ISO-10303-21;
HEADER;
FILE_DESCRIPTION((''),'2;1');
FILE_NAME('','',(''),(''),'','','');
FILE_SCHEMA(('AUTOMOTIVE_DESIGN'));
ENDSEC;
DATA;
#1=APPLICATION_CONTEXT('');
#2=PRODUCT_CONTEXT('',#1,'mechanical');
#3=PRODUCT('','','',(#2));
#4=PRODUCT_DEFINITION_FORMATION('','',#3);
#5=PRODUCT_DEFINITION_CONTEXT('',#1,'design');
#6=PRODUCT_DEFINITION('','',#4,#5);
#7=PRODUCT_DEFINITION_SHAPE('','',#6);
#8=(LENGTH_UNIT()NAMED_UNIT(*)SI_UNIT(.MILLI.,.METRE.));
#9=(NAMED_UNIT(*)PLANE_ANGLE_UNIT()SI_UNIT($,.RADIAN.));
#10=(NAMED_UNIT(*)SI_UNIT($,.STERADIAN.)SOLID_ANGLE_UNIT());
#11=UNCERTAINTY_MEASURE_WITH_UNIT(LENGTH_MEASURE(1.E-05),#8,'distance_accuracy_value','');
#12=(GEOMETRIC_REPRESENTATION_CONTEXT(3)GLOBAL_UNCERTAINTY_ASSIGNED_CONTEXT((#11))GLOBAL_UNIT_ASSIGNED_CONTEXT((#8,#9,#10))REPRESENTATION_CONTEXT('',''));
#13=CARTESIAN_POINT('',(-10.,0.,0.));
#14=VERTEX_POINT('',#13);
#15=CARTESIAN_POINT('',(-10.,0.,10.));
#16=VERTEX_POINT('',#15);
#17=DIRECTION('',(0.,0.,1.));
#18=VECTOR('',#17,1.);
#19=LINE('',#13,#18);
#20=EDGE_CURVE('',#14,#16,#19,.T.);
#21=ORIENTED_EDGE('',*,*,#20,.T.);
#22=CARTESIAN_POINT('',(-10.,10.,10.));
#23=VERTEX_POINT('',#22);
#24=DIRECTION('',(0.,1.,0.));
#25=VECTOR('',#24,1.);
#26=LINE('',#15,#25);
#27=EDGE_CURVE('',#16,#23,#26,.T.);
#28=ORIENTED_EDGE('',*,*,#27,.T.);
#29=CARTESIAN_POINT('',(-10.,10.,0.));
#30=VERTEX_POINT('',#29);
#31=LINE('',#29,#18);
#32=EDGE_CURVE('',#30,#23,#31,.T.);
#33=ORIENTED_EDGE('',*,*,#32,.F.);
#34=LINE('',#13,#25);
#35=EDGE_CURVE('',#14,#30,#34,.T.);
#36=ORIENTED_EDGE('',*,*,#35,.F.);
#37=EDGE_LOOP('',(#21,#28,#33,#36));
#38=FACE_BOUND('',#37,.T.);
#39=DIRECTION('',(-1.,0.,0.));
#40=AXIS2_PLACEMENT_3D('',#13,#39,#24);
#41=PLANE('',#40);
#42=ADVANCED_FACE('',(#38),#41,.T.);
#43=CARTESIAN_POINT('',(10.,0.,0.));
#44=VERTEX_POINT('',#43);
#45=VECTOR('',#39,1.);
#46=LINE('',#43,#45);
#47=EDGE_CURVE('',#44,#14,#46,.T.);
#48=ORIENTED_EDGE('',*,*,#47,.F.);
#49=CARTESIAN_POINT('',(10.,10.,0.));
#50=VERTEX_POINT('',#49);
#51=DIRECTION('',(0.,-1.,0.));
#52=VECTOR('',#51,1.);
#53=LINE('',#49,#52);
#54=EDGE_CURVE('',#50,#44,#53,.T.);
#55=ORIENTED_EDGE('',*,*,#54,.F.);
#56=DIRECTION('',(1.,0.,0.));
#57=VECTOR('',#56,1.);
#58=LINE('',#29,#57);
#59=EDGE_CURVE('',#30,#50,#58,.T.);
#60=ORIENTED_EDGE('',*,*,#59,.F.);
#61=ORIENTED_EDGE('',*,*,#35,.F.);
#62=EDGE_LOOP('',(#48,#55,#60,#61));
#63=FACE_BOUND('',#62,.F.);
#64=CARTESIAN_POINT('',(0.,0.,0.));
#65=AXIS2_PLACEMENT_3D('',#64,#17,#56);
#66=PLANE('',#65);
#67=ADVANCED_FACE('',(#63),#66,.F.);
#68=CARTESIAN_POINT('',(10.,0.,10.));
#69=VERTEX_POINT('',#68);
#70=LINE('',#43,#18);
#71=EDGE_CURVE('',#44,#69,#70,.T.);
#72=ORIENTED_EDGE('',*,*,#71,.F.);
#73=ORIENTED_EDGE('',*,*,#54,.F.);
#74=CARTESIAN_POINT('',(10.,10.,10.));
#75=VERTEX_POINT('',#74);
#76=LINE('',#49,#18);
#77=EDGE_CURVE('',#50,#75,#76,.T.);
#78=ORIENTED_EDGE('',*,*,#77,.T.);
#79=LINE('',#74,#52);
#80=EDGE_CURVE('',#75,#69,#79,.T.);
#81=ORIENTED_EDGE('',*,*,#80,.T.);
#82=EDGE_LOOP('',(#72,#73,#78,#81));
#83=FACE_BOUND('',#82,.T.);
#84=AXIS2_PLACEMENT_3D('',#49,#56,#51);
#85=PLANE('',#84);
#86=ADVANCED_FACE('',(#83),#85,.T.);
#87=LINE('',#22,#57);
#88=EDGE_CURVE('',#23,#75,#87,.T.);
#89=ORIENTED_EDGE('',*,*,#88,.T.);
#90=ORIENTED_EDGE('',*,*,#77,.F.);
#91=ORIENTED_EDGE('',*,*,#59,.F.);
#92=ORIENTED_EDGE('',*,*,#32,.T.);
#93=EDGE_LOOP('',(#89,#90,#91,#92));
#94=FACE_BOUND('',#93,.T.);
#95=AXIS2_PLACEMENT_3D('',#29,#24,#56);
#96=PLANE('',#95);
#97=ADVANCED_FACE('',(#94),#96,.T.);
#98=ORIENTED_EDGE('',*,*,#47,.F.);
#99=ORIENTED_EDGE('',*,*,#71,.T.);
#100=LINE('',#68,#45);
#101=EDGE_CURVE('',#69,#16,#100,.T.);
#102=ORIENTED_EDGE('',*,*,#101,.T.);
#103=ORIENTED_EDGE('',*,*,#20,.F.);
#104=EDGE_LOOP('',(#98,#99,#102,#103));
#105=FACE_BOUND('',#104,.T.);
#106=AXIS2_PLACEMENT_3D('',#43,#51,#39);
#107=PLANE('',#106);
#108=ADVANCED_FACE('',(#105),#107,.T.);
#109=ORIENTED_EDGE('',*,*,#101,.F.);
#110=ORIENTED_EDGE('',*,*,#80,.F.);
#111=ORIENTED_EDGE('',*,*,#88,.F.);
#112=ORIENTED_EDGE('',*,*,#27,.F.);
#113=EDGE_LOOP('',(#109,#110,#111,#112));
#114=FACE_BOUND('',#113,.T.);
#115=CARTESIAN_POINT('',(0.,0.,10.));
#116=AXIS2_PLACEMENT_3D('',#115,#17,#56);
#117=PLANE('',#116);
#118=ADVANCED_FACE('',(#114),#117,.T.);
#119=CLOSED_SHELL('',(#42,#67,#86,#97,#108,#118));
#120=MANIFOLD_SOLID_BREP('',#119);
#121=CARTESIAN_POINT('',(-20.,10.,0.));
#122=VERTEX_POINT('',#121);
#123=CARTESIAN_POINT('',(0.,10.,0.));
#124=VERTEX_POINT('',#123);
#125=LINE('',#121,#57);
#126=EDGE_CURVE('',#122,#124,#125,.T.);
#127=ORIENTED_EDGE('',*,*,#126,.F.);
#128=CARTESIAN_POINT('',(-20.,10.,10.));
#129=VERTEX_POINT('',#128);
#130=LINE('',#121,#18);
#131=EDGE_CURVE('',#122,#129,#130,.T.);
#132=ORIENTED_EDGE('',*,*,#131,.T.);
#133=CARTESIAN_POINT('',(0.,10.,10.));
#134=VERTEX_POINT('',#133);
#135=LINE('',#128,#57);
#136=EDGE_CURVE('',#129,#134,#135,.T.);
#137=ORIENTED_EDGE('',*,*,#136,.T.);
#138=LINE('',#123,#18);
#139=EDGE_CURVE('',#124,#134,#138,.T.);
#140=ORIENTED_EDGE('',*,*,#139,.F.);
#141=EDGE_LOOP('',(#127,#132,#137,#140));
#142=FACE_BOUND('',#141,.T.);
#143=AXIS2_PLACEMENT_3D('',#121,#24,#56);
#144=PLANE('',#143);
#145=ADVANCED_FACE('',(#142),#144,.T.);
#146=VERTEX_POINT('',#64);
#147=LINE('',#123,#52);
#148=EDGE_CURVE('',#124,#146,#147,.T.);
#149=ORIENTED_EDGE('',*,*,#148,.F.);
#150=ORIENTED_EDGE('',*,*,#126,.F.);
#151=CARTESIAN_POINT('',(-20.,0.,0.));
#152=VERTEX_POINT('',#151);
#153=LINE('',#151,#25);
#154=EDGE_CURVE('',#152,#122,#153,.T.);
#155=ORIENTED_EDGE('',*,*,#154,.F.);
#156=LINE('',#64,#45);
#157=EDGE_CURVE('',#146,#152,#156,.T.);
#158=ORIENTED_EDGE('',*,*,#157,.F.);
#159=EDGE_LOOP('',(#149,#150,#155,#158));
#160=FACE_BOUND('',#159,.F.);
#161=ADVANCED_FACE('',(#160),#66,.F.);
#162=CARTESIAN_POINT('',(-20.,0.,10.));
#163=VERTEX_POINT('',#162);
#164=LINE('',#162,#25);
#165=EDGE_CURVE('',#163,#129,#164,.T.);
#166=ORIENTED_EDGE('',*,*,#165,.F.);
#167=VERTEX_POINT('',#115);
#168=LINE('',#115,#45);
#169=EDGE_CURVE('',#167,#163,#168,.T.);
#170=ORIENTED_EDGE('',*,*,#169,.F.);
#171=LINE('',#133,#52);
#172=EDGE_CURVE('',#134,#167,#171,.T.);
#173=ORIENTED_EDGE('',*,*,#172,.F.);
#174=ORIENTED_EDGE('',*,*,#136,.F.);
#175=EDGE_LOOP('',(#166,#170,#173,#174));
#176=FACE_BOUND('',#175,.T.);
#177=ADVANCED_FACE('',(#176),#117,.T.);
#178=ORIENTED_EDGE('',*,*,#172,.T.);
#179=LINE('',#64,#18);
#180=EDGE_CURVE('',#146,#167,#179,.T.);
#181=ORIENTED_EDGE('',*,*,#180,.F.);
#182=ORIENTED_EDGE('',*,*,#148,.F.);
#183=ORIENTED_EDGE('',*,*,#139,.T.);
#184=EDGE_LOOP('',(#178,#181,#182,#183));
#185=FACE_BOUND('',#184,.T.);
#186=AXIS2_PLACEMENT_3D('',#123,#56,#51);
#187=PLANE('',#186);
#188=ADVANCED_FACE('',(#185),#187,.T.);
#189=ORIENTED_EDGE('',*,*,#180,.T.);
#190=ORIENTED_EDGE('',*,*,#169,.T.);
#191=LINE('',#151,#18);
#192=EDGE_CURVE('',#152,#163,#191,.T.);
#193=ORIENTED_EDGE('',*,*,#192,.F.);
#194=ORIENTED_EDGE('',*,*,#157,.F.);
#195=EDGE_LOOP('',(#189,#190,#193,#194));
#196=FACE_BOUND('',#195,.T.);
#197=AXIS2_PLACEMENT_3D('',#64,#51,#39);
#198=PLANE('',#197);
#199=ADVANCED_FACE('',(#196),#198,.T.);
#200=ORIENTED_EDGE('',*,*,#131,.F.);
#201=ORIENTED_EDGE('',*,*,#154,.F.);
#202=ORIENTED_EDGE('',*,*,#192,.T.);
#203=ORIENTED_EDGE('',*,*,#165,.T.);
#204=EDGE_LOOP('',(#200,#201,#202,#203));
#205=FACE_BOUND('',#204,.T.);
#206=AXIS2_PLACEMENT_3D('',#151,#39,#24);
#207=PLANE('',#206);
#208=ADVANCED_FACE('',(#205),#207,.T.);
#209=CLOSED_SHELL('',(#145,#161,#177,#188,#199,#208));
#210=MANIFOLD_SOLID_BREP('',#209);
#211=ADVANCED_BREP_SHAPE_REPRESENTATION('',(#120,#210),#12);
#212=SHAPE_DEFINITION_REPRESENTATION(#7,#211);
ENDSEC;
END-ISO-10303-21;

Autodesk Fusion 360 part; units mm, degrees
sketch "Sketch1" plane through (0, 0, 0) normal (0, 0, 1) x (1, 0, 0)
  line L0 (0, 0) -> (-20, 0)
  line L1 (-20, 0) -> (-20, 10)
  line L2 (-20, 10) -> (0, 10)
  line L3 (0, 10) -> (0, 0)
extrude "Extrude1" add sketch "Sketch1" along normal blind 10 makes body 1
sketch "Sketch1 (2)" plane through (0, 0, 0) normal (0, 0, 1) x (1, 0, 0) in component "Tool"
  line L0 (-10, 10) -> (10, 10)
  line L1 (10, 10) -> (10, 0)
  line L2 (10, 0) -> (-10, 0)
  line L3 (-10, 0) -> (-10, 10)
extrude "Extrude1'" add sketch "Sketch1 (2)" along normal blind 10 separate body makes body 2 in component "Tool"
component "Tool" placed x (1, 0, 0) y (0, 1, 0) z (0, 0, 1) at (0, 0, 0)
